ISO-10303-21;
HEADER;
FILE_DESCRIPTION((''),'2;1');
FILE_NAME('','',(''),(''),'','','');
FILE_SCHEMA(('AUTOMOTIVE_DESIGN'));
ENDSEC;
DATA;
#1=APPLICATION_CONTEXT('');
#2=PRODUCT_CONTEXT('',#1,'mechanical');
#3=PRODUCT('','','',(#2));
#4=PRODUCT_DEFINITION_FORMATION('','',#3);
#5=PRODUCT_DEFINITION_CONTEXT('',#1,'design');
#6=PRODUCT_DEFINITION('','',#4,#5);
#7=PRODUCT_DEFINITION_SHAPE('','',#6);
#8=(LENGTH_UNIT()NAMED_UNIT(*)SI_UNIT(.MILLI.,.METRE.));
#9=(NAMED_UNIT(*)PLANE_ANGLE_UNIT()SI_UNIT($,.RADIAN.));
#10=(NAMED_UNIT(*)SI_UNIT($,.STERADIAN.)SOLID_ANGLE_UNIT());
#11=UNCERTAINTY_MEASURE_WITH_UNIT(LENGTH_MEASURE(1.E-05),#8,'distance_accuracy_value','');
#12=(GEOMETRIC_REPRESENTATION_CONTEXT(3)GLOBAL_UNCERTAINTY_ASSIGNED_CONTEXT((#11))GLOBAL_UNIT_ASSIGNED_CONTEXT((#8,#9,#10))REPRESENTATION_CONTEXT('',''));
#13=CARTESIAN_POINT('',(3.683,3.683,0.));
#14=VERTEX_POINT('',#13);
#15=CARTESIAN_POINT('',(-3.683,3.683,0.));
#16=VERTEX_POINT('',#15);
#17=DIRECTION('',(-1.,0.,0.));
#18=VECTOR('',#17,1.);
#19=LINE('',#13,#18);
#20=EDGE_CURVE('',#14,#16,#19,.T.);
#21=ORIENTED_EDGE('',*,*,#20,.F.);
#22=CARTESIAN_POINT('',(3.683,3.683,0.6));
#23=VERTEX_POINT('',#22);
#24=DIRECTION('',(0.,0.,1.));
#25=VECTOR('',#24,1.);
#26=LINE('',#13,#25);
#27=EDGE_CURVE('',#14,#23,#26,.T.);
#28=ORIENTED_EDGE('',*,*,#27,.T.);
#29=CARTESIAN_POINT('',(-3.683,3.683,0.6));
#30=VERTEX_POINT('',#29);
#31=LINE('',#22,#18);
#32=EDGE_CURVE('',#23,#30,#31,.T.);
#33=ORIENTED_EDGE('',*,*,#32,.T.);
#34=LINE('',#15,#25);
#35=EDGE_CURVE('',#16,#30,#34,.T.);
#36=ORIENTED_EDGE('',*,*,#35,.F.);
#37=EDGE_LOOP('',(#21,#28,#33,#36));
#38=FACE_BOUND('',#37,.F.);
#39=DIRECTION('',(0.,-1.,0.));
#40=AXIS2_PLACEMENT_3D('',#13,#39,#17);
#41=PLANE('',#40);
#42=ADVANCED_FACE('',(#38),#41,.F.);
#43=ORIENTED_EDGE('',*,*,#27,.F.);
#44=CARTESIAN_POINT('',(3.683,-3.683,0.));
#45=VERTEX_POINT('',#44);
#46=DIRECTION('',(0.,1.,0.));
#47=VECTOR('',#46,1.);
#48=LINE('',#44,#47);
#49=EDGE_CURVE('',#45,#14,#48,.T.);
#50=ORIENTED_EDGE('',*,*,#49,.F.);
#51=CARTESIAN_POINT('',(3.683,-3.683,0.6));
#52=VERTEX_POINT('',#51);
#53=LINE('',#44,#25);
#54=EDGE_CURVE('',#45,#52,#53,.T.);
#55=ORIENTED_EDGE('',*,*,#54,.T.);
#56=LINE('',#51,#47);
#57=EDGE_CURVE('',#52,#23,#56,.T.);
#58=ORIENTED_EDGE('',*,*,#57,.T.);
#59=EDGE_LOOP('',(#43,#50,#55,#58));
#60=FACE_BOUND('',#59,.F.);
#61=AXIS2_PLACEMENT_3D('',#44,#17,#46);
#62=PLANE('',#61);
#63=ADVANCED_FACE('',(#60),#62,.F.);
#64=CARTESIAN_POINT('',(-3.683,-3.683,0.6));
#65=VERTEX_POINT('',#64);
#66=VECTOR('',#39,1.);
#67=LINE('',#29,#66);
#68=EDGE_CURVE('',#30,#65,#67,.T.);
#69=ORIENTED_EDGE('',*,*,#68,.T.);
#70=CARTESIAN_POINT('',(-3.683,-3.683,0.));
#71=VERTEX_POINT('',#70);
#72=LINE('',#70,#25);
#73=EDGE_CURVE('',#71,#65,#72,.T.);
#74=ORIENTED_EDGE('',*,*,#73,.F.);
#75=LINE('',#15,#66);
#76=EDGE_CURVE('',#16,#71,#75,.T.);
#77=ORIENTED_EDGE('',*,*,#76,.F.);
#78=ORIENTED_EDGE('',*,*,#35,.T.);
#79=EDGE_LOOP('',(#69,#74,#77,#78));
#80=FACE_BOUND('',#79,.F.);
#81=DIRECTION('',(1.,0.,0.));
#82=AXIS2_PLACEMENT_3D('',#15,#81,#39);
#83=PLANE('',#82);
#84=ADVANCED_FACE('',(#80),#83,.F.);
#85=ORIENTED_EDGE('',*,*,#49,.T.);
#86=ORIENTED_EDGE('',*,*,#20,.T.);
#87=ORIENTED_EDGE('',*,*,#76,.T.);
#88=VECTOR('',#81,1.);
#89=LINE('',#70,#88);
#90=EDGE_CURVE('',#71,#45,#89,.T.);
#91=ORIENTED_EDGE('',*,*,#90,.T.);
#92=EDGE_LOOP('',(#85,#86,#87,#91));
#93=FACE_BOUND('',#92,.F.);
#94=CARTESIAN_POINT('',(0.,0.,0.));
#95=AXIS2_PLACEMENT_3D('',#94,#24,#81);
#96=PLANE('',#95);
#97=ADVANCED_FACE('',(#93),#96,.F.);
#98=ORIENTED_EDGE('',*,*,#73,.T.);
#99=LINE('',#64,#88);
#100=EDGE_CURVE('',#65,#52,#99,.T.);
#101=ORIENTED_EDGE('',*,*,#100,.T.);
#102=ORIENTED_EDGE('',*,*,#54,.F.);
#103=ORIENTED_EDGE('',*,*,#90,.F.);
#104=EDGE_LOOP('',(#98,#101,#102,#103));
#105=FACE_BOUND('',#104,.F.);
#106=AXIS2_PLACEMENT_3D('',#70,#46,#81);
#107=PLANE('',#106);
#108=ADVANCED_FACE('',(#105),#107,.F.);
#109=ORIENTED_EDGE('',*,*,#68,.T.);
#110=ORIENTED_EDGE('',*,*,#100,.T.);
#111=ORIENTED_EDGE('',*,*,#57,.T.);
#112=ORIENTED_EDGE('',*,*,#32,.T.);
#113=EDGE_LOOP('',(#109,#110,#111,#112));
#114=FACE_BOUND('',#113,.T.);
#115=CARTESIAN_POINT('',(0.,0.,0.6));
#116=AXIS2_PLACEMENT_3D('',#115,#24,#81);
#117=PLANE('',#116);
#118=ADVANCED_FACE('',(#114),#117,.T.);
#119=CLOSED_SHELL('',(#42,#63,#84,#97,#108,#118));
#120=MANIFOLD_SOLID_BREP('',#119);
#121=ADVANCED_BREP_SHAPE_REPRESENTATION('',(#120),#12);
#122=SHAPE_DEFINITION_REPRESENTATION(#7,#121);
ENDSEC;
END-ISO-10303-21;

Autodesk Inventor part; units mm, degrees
ref_plane "YZ Plane" through (0, 0, 0) normal (1, 0, 0) x (0, 1, 0)
ref_plane "XZ Plane" through (0, 0, 0) normal (0, 1, 0) x (-1, 0, 0)
ref_plane "XY Plane" through (0, 0, 0) normal (0, 0, 1) x (1, 0, 0)
sketch "Sketch1" plane through (0, 0, 0) normal (0, 0, 1) x (1, 0, 0)
  line L0 (-3.683, -3.683) -> (3.683, -3.683)
  line L1 (3.683, -3.683) -> (3.683, 3.683)
  line L2 (3.683, 3.683) -> (-3.683, 3.683)
  line L3 (-3.683, 3.683) -> (-3.683, -3.683)
  point P0 (0, 0)
  dimension "d0" = 7.366
  dimension "d1" = 7.366
  dimension "d4" = 3.683
  dimension "d5" = 3.683
extrude "Extrusion1" add sketch "Sketch1" along normal blind 0.6
equation "\"d4\" = 0.5 * d0"
equation "\"d5\" = d4"
properties part number "DisceepXL_PCB" material "Phenolic Resin"
